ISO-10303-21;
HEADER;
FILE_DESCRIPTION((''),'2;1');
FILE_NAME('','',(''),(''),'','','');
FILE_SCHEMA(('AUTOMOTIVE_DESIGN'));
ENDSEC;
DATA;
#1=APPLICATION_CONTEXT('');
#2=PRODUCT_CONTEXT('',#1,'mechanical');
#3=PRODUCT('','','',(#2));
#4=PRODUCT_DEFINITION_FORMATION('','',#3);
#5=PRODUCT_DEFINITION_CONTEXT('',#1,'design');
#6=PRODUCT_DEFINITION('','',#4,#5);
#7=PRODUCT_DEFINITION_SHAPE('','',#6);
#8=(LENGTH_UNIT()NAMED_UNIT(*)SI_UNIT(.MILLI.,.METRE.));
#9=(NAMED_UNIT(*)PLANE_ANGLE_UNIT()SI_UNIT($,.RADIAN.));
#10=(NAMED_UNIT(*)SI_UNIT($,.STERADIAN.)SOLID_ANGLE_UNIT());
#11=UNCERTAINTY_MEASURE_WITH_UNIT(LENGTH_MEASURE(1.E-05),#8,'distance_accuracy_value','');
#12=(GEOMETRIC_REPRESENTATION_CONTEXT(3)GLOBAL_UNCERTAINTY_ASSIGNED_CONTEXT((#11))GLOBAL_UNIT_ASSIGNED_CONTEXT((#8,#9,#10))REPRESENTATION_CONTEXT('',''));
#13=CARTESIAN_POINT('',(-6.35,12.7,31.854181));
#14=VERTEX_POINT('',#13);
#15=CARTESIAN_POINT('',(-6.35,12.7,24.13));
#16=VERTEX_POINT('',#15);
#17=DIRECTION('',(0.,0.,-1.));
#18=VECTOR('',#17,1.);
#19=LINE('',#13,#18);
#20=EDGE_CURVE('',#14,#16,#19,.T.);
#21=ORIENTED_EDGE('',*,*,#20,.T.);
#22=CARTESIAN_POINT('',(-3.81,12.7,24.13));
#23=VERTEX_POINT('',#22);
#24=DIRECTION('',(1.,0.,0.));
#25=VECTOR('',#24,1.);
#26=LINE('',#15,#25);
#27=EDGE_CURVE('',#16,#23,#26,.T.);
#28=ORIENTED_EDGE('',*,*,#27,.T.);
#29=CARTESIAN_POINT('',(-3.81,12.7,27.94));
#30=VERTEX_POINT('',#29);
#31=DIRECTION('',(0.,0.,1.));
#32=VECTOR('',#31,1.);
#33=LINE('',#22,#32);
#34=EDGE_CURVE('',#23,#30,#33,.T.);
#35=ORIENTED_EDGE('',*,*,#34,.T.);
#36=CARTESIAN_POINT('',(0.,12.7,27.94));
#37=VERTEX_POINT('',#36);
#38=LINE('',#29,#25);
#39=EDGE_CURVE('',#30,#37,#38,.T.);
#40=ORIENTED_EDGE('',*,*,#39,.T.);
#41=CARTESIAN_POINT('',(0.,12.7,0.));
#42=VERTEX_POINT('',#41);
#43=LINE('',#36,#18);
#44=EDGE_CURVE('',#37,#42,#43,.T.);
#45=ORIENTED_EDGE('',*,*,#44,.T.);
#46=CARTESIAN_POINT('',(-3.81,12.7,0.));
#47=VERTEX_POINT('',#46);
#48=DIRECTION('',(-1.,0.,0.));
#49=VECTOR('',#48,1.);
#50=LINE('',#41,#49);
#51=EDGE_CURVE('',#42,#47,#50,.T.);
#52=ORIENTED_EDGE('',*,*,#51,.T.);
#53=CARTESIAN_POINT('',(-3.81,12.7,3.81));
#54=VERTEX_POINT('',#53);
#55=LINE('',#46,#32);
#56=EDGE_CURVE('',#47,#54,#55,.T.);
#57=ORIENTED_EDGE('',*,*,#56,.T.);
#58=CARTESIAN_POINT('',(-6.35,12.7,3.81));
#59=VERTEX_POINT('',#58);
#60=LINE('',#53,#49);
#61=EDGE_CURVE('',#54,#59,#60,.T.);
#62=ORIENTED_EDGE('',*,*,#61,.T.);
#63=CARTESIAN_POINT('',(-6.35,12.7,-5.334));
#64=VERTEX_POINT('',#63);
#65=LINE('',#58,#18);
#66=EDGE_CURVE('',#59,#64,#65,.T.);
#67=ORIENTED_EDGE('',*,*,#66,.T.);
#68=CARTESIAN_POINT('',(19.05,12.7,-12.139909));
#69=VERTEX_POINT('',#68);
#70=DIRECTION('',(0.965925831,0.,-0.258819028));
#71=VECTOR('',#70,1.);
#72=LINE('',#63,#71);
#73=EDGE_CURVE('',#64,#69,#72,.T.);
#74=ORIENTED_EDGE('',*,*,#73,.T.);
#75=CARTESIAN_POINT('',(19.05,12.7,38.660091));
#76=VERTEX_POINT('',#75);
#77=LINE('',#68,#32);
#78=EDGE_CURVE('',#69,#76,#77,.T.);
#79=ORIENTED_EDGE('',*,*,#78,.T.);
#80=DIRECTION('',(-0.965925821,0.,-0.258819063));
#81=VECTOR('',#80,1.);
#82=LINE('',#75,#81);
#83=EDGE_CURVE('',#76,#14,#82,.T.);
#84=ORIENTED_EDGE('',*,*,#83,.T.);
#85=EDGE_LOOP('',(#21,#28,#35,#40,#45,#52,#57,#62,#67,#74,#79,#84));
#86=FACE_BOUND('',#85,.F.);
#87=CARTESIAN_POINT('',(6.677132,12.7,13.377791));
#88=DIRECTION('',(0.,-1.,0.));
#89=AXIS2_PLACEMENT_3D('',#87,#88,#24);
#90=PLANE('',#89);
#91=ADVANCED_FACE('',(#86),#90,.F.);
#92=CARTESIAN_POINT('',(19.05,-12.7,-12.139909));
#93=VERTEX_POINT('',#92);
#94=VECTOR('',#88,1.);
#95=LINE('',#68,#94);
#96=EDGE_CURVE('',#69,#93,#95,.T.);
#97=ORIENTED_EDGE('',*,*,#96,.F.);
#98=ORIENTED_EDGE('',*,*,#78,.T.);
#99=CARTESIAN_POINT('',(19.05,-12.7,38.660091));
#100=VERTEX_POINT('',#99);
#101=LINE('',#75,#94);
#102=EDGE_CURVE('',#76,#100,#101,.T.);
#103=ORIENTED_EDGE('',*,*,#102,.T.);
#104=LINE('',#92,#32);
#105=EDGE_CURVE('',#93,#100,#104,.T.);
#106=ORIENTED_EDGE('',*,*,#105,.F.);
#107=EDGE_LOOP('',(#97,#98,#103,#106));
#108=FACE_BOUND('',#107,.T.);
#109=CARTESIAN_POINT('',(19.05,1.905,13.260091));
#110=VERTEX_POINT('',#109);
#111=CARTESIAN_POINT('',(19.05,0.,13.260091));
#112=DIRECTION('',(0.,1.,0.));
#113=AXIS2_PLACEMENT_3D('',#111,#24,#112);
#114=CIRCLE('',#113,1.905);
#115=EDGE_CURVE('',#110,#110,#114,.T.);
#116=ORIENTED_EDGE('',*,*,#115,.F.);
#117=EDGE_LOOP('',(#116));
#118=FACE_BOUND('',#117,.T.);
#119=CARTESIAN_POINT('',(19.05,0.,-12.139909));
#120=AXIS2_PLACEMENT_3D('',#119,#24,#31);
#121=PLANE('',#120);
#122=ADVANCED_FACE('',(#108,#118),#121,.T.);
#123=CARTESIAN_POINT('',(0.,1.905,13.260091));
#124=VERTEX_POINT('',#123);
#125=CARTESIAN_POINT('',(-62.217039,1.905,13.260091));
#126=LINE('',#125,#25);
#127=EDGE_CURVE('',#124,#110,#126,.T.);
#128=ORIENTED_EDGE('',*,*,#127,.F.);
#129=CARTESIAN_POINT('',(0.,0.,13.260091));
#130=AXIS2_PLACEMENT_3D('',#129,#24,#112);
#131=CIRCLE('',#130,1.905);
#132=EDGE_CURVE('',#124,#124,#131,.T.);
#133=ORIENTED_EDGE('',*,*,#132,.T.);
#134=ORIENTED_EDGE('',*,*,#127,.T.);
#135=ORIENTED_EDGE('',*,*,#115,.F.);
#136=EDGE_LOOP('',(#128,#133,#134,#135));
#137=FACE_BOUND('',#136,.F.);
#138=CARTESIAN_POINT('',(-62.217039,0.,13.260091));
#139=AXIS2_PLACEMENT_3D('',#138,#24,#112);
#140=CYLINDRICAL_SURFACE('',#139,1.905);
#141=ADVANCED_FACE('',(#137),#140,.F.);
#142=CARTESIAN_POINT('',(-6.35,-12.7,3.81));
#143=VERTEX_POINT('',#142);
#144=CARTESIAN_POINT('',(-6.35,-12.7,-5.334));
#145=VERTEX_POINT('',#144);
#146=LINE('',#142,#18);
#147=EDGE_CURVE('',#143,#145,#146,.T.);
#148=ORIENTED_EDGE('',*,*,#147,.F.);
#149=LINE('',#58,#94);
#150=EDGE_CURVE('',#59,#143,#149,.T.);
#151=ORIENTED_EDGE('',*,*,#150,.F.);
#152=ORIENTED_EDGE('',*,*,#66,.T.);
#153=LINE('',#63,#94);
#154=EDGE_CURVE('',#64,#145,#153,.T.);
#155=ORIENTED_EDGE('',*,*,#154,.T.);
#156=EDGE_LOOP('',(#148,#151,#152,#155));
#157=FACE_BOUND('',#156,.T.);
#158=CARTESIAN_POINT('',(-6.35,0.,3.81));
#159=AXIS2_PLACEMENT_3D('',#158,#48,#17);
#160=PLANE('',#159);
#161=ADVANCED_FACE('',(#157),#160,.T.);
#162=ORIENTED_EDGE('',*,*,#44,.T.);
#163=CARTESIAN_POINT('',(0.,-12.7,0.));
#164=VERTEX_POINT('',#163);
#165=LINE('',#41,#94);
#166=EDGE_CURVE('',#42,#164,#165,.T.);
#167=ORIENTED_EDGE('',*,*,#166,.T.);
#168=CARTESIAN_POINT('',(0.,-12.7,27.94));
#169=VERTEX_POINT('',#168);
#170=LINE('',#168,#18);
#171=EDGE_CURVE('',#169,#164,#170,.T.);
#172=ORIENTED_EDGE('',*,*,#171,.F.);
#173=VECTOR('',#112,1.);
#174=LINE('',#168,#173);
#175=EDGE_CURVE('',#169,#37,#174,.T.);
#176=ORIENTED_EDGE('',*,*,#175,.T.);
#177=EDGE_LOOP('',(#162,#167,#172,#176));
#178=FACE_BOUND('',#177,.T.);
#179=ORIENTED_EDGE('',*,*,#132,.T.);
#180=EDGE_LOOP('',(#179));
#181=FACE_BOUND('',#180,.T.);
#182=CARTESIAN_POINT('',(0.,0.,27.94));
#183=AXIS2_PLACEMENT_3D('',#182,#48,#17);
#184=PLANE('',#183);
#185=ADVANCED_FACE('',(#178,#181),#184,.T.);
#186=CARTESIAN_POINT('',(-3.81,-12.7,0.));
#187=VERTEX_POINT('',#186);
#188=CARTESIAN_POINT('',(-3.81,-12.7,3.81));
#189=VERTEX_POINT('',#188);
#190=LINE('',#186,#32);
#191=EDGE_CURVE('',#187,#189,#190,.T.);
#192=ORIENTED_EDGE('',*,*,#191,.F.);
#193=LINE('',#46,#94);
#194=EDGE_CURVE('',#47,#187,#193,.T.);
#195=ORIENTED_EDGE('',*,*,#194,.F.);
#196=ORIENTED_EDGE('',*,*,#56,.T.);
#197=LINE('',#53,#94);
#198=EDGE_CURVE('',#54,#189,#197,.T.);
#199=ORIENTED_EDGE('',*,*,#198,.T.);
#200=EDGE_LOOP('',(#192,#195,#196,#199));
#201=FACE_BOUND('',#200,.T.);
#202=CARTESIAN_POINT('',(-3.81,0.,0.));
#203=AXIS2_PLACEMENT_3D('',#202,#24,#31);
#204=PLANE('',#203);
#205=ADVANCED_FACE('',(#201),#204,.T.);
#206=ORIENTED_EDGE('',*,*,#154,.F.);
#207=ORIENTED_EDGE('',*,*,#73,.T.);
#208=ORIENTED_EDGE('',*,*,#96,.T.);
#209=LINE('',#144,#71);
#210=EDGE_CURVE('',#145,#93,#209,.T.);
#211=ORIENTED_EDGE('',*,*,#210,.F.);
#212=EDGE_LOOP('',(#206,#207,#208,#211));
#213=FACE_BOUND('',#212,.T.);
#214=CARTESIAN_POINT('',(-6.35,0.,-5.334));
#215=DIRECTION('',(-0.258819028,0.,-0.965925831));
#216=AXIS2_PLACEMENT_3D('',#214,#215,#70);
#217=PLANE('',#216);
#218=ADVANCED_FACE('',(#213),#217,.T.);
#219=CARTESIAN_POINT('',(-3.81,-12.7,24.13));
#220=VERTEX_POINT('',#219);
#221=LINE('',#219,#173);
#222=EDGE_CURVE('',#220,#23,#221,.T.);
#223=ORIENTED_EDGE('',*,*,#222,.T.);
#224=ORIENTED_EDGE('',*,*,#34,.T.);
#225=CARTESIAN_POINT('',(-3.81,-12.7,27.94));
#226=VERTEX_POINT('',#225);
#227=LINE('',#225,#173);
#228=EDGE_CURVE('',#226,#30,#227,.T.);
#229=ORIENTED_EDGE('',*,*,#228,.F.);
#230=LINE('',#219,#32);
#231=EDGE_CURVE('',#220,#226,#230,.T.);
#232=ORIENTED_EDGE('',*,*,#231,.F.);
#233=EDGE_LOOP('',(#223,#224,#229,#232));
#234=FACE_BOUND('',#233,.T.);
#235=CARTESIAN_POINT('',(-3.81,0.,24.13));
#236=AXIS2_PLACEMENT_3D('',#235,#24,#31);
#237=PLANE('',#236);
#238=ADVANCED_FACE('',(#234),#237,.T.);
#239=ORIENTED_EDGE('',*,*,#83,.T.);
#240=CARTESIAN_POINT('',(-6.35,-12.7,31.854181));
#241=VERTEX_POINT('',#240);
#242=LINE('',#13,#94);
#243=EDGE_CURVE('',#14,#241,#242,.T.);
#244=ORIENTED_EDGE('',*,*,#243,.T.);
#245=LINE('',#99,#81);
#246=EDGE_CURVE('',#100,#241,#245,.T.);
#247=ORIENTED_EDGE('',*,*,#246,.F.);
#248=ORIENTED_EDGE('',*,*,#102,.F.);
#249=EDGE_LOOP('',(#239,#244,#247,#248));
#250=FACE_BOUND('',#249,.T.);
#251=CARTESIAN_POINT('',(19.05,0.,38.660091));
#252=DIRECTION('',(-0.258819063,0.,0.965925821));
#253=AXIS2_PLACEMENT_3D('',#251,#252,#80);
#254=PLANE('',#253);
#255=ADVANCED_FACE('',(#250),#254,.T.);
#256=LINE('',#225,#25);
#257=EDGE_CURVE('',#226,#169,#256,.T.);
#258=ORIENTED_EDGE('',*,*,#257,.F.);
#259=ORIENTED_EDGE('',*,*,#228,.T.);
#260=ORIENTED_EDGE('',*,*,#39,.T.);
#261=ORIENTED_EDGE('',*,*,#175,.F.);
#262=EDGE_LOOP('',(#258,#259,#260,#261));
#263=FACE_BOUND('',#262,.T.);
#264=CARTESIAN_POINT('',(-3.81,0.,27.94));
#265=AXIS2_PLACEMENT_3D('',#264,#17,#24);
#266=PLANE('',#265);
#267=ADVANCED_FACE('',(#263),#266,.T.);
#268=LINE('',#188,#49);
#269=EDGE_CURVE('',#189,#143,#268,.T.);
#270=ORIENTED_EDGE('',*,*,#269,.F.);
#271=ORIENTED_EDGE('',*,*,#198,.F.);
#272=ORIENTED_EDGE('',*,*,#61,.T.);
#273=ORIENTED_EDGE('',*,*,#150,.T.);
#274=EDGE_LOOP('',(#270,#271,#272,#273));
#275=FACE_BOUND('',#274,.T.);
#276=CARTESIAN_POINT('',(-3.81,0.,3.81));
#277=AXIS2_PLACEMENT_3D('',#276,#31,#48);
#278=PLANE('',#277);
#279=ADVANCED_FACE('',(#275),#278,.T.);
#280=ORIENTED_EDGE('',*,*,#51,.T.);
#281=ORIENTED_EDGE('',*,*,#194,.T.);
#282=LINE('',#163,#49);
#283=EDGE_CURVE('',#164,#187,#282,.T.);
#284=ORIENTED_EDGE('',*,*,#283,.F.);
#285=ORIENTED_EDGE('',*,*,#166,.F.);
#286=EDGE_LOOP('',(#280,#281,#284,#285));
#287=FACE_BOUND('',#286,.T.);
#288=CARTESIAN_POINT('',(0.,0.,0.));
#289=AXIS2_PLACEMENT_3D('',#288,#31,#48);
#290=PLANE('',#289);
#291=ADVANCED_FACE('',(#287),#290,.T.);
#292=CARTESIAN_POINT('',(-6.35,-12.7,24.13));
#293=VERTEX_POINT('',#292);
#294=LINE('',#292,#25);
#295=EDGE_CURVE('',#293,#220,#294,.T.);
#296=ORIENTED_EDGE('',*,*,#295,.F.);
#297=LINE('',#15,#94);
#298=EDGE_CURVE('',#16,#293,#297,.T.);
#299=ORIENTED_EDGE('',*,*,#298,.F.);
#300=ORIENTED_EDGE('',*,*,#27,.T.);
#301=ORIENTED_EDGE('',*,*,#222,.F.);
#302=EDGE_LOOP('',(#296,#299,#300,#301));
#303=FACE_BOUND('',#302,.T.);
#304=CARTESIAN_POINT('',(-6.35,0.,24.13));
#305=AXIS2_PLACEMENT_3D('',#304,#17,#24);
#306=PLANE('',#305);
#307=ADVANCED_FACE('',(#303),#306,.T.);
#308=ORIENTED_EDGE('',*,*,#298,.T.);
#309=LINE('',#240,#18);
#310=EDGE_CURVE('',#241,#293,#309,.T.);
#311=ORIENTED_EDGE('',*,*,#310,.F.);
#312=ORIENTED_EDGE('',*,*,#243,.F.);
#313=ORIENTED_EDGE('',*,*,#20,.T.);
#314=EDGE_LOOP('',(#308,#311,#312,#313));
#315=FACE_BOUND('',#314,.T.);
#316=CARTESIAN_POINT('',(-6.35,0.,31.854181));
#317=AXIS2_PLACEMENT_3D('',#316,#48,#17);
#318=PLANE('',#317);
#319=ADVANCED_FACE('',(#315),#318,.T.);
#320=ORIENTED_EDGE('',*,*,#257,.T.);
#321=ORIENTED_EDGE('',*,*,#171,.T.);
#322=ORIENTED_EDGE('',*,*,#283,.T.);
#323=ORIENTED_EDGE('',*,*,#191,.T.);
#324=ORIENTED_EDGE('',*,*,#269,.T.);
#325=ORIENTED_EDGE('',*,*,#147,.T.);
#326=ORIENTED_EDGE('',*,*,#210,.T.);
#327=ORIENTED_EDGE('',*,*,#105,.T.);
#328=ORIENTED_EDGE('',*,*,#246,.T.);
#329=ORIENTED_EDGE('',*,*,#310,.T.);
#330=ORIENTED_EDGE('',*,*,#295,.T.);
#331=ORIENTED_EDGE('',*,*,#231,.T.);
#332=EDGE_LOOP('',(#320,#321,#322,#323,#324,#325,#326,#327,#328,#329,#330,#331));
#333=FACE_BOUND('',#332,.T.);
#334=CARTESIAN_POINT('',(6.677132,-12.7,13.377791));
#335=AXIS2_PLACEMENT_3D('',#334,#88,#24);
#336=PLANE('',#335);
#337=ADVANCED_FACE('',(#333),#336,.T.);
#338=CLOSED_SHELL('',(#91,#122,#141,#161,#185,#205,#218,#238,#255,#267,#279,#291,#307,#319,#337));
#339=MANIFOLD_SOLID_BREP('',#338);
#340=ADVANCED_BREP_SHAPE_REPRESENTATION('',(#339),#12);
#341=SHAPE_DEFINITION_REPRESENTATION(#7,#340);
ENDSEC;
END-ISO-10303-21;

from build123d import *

# Parameters (mm, degrees)
F1_DEPTH = 12.7
F3_D     = 3.81


with BuildPart() as f1:
    # F0 (on Front) → F1 (new body, symmetric)
    with BuildSketch(Plane.XZ):
        Polygon((0, 27.94), (0, 0), (-3.81, 0), (-3.81, 3.81), (-6.35, 3.81), (-6.35, -5.334), (19.05, -12.139909), (19.05, 38.660091), (-6.35, 31.854181), (-6.35, 24.13), (-3.81, 24.13), (-3.81, 27.94), align=None)
    extrude(amount=F1_DEPTH, both=True)

    # F3 (through all)
    with Locations(Plane(origin=(0, 0, 0), x_dir=(0, -1, 0), z_dir=(-1, 0, 0))):
        with Locations((0, 13.260091)):
            Hole(F3_D / 2)


solid = f1.part
